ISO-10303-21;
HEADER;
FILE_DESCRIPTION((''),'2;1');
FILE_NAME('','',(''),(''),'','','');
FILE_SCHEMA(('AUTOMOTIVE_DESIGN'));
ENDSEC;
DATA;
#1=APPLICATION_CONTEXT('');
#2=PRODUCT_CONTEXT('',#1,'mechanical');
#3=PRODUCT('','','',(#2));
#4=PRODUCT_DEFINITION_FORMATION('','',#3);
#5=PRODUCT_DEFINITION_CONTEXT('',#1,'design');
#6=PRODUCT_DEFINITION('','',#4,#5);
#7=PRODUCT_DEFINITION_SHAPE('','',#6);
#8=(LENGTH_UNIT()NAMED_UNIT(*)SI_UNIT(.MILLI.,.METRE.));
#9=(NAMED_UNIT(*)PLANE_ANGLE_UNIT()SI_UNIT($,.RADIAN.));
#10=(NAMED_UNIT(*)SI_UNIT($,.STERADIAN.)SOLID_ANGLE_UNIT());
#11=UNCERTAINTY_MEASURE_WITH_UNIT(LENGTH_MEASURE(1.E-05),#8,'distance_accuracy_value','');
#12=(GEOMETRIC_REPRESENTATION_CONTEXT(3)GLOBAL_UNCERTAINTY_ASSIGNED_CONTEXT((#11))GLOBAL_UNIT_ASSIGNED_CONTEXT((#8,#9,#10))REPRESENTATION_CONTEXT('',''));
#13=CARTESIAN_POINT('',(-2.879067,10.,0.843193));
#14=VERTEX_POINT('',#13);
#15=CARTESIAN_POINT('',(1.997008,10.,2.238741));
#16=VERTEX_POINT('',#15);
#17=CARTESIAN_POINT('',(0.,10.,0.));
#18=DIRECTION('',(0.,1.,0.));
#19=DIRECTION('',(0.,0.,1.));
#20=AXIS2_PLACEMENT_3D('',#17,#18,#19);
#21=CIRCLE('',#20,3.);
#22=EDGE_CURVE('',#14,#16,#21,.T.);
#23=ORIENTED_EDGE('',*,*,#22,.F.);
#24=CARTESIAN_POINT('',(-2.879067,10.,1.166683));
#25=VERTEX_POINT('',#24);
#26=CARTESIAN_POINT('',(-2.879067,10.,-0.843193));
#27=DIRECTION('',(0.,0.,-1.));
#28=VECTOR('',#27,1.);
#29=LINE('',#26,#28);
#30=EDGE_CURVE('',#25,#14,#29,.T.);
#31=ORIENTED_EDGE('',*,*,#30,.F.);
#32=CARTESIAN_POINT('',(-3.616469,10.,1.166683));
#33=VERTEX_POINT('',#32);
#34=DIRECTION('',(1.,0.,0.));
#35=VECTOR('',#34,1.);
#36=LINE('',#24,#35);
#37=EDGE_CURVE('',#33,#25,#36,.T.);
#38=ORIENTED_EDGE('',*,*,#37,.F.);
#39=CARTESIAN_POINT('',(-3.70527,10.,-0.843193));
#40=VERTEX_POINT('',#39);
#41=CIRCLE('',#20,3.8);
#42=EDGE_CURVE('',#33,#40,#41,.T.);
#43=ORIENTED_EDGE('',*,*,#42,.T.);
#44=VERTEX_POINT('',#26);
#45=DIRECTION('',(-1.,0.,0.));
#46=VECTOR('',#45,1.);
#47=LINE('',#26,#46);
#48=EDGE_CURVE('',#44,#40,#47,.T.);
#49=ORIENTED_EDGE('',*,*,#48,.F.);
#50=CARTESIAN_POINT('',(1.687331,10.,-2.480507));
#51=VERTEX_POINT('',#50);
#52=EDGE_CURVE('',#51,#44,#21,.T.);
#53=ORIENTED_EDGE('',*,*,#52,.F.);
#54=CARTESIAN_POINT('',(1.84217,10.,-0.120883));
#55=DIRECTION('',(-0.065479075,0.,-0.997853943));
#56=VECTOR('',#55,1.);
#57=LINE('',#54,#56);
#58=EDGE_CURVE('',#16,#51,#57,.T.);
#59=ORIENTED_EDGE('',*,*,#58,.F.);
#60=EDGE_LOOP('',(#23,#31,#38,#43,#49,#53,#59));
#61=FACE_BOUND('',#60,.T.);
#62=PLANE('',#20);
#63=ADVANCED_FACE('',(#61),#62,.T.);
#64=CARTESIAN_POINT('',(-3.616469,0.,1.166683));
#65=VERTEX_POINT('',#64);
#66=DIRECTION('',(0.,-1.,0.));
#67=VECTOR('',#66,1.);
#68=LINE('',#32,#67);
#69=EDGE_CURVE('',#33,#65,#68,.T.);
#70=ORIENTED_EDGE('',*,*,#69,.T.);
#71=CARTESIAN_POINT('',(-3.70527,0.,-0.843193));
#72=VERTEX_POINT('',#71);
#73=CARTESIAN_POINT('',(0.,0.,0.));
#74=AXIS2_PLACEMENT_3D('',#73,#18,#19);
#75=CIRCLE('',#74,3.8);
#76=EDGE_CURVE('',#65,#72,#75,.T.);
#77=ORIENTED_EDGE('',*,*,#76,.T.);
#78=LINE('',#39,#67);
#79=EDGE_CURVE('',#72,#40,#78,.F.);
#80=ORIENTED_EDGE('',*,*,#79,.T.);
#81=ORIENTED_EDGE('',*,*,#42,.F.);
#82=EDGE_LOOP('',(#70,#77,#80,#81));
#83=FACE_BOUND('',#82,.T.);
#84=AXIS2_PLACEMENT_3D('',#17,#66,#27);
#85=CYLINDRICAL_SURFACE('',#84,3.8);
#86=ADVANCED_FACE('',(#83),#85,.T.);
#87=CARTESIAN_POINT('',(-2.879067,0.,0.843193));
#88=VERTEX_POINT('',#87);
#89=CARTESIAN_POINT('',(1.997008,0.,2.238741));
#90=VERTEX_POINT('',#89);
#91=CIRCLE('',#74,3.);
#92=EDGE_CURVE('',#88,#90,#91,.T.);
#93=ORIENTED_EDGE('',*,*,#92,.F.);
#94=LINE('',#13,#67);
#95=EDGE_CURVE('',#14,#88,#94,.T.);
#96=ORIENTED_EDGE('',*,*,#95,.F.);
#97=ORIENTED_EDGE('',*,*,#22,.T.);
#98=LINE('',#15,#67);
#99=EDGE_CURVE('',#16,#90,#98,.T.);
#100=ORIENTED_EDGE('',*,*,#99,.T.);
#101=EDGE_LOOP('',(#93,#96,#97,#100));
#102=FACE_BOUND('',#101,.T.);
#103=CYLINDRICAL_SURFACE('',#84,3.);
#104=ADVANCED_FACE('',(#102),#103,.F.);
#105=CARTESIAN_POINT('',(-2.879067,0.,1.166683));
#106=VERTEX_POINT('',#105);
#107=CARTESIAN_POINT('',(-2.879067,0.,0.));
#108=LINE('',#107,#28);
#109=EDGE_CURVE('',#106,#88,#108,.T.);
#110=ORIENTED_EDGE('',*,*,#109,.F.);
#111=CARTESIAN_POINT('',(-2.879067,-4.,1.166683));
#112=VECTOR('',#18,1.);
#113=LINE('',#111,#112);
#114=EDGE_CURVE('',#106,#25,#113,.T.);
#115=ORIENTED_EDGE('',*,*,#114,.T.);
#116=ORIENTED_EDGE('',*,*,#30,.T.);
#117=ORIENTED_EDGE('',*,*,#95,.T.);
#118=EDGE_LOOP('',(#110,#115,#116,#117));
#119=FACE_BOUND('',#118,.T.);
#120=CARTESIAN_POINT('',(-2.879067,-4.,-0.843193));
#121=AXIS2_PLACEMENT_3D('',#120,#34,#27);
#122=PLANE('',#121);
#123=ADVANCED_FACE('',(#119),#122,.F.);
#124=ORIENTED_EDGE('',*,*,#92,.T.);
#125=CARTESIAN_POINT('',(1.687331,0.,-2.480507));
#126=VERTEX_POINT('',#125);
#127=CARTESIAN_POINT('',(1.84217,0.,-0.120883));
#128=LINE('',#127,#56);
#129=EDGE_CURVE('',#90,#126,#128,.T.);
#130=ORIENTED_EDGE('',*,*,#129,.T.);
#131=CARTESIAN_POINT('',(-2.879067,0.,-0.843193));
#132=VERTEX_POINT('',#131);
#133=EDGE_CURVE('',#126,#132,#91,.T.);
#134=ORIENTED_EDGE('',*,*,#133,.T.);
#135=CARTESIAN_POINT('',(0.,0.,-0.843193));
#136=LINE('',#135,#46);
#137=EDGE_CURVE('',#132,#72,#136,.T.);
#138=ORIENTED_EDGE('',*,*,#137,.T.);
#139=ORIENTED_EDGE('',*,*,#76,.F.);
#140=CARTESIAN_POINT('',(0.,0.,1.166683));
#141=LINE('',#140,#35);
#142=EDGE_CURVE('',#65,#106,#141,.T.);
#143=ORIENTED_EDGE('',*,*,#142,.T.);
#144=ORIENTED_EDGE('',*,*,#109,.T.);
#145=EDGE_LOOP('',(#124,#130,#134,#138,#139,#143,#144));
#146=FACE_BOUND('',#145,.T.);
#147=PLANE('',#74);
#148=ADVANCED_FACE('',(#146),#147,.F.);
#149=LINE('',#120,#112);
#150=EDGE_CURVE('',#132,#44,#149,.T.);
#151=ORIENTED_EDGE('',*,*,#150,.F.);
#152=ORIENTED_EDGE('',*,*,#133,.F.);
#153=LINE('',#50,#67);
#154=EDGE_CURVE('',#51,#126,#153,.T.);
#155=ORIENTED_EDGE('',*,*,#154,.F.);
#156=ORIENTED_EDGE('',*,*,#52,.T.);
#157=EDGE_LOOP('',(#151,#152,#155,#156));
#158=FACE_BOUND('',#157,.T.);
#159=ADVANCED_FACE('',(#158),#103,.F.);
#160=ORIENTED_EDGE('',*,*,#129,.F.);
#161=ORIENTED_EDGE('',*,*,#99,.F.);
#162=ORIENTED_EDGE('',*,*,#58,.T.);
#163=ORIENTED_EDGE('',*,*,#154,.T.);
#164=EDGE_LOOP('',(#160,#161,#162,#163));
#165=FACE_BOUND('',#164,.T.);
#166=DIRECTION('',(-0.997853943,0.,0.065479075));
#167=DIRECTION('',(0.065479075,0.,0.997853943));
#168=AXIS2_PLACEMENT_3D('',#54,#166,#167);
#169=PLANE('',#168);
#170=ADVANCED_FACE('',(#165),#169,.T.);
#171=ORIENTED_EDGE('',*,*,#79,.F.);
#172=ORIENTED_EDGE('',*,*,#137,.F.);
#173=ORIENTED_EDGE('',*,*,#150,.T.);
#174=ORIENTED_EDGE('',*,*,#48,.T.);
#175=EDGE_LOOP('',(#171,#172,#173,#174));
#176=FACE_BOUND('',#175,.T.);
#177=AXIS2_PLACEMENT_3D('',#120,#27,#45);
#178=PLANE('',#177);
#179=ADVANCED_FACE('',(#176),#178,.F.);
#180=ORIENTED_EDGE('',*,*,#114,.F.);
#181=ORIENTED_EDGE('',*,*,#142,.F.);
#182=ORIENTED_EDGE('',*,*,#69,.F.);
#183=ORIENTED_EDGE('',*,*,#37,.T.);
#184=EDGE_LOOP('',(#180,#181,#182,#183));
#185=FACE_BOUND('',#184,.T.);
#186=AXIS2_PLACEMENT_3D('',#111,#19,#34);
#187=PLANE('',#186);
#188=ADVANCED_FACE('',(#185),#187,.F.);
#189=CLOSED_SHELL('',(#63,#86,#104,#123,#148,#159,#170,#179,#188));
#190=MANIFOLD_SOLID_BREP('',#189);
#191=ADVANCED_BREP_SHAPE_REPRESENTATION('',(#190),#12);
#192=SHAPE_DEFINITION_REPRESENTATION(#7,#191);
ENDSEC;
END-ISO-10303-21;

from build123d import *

# Parameters (mm, degrees)
SKETCH2_R           = 3.8
BOSS_EXTRUDE1_DEPTH = 10
SKETCH3_W           = 1.24695481
SKETCH3_H           = 2.009875944
CUT_EXTRUDE1_DEPTH  = 14


with BuildPart() as part:
    # Sketch2 → Boss-Extrude1 (new body)
    with BuildSketch(Plane(origin=(0, 0, 0), x_dir=(1, 0, 0), z_dir=(0, 1, 0))):
        with Locations(Location((0, 0, 0), (0, 0, 270))):
            Circle(SKETCH2_R)
        with BuildLine():
            Line((1.687331232, 2.480506665), (1.997007769, -2.23874071))
            ThreePointArc((1.997007769, -2.23874071), (-2.993561828, -0.196437226), (1.687331232, 2.480506665))
        make_face(mode=Mode.SUBTRACT)
    extrude(amount=BOSS_EXTRUDE1_DEPTH)

    # Sketch3 → Cut-Extrude1 (cut)
    with BuildSketch(Plane(origin=(0, 10, 0), x_dir=(1, 0, 0), z_dir=(0, 1, 0))):
        with Locations((-3.502544147, -0.161744818)):
            Rectangle(SKETCH3_W, SKETCH3_H)
    extrude(amount=-CUT_EXTRUDE1_DEPTH, mode=Mode.SUBTRACT)


solid = part.part
